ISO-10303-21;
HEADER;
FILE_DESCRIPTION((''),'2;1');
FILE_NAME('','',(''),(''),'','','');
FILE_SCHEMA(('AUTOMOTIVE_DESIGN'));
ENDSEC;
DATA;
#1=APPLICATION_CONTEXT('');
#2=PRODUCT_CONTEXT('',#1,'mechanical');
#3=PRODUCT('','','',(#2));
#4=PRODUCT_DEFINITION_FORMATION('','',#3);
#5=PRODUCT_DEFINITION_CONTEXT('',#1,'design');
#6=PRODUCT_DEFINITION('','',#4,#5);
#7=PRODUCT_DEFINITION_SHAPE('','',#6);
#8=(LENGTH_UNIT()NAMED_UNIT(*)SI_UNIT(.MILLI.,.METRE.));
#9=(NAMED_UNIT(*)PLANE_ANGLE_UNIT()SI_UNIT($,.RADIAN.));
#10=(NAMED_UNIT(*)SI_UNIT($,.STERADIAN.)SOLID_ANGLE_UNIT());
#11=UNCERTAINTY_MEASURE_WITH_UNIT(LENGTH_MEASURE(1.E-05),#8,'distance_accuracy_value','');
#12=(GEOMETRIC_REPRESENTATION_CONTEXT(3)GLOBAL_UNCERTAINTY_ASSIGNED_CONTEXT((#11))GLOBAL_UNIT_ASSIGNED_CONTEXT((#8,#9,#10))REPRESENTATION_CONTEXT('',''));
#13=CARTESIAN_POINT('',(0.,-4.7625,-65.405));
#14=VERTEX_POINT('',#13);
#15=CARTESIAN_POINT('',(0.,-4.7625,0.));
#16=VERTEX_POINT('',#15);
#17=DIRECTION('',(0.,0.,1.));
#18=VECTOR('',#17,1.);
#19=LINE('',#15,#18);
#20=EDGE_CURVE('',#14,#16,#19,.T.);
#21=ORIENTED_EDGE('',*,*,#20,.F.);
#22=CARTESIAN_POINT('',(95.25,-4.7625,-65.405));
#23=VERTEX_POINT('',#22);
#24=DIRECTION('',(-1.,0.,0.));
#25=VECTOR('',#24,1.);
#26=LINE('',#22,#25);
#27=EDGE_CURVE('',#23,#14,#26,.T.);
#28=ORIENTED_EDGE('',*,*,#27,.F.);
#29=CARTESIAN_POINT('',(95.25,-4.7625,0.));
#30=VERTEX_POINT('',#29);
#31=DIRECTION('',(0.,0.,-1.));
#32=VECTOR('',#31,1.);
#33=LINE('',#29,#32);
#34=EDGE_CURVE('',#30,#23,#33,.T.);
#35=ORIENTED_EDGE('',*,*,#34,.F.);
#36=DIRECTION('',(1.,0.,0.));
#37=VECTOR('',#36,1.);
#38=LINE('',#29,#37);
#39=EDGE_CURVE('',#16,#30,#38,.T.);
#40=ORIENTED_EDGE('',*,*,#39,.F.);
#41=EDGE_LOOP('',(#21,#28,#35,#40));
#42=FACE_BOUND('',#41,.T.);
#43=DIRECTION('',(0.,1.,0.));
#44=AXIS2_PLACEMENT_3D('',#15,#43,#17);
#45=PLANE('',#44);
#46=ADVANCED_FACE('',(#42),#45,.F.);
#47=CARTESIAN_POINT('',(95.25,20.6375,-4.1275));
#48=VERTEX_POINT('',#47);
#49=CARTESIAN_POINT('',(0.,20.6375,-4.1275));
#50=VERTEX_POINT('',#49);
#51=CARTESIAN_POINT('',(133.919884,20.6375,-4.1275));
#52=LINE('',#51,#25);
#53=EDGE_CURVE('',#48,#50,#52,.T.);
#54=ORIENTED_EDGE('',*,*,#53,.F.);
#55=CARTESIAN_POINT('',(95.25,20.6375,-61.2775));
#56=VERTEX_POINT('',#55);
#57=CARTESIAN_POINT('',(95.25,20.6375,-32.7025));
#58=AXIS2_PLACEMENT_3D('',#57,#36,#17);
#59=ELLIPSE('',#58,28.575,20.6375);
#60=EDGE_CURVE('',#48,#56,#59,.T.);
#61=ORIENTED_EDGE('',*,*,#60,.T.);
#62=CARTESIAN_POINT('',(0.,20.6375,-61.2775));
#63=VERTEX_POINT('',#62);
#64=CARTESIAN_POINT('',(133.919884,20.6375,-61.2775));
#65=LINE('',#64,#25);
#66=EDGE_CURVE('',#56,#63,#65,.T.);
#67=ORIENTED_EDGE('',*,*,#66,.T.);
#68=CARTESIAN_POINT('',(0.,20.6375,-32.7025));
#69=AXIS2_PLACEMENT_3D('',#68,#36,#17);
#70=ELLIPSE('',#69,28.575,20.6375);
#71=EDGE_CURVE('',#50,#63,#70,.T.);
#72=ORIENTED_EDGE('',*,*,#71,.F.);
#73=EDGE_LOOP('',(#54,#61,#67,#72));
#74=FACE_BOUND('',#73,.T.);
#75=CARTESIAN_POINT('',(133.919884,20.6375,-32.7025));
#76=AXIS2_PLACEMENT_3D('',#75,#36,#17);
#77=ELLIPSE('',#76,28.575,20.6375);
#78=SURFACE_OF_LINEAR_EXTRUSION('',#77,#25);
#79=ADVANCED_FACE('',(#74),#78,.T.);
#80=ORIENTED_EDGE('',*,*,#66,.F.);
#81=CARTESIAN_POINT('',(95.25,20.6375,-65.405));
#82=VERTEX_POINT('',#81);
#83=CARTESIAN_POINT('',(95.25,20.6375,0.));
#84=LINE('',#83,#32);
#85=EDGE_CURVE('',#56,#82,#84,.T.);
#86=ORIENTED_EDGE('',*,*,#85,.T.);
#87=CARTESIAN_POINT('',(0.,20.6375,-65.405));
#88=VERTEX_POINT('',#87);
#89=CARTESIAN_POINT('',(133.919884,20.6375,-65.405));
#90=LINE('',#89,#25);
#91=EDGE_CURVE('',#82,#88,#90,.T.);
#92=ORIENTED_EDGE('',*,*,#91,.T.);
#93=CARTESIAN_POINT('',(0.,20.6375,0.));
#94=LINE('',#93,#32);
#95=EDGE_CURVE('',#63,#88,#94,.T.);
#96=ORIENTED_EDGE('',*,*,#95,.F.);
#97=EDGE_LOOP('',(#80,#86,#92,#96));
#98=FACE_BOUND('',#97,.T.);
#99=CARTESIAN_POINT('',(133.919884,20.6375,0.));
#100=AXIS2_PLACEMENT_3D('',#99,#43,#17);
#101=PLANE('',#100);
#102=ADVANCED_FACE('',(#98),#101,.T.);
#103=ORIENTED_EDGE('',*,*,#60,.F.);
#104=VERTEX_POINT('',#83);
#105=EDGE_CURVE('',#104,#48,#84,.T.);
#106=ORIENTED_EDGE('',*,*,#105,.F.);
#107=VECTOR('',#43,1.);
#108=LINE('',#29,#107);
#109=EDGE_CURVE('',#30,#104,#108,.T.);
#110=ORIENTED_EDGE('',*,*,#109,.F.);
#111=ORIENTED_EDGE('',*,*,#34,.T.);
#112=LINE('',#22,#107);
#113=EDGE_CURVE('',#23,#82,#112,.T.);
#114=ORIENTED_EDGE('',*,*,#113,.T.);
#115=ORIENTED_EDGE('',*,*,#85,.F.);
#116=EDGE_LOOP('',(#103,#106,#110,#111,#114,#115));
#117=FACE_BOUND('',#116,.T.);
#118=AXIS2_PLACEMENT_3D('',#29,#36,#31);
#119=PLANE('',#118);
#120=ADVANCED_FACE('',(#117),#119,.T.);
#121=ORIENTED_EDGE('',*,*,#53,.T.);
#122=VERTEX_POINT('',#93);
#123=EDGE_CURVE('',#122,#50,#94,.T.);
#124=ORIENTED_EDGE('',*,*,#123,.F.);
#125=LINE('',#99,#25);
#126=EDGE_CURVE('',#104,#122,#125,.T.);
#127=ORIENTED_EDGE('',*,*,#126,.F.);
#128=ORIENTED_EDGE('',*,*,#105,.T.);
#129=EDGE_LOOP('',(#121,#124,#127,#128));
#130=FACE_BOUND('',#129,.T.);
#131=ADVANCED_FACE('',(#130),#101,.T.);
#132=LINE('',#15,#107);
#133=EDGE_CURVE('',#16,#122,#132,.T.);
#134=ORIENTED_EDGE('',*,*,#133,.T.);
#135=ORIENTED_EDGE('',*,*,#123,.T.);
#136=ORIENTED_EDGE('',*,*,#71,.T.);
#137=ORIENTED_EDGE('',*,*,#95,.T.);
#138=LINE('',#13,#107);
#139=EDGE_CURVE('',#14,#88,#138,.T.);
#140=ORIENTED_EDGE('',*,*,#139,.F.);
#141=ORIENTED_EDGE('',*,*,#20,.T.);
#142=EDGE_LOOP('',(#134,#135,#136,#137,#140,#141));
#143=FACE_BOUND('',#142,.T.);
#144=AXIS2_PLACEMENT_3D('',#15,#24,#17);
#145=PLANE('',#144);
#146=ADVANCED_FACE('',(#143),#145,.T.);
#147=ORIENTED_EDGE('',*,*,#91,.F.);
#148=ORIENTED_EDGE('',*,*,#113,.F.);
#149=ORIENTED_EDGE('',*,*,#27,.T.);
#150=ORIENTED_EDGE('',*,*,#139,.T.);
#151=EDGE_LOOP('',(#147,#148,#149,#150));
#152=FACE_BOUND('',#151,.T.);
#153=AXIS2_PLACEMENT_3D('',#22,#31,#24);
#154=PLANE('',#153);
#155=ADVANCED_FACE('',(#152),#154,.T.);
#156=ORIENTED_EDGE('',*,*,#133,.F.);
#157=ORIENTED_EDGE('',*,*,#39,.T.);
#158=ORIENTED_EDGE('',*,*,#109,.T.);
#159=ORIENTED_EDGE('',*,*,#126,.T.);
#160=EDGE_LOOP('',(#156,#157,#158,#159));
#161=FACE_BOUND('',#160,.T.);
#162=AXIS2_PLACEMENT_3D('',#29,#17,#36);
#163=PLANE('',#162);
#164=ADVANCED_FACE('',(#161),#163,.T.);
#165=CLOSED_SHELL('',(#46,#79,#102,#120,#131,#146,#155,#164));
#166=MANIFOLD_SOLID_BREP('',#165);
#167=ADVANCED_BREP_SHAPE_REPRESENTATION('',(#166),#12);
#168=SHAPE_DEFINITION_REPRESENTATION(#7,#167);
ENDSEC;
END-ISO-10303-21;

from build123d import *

# Parameters (mm, degrees)
SKETCH1_W           = 95.25
SKETCH1_H           = 65.405
BOSS_EXTRUDE1_DEPTH = 4.7625
BOSS_EXTRUDE3_DEPTH = 95.25


with BuildPart() as part:
    # Sketch1 → Boss-Extrude1 (new body)
    with BuildSketch(Plane(origin=(0, 0, 0), x_dir=(1, 0, 0), z_dir=(0, 1, 0))):
        with Locations((47.625, 32.7025)):
            Rectangle(SKETCH1_W, SKETCH1_H)
    extrude(amount=-BOSS_EXTRUDE1_DEPTH)

    # Sketch4 → Boss-Extrude3 (add)
    with BuildSketch(Plane(origin=(0, 0, 0), x_dir=(0, 0, -1), z_dir=(1, 0, 0))):
        with BuildLine():
            Line((0, 20.6375), (0, 0))
            Line((0, 0), (32.7025, 0))
            add(Edge.make_bspline(
                [(4.1275, 20.6375), (4.1275, 0), (32.7025, 0)],
                knots=[0, 0, 0, 1.570796327, 1.570796327, 1.570796327], degree=2, weights=[1, 0.707106781, 1]))
            Line((4.1275, 20.6375), (0, 20.6375))
        make_face()
        with BuildLine():
            add(Edge.make_bspline(
                [(32.7025, 0), (61.2775, 0), (61.2775, 20.6375)],
                knots=[1.570796327, 1.570796327, 1.570796327, 3.141592654, 3.141592654, 3.141592654], degree=2, weights=[1, 0.707106781, 1]))
            Line((32.7025, 0), (65.405, 0))
            Line((65.405, 0), (65.405, 20.6375))
            Line((65.405, 20.6375), (61.2775, 20.6375))
        make_face()
    extrude(amount=BOSS_EXTRUDE3_DEPTH)


solid = part.part
